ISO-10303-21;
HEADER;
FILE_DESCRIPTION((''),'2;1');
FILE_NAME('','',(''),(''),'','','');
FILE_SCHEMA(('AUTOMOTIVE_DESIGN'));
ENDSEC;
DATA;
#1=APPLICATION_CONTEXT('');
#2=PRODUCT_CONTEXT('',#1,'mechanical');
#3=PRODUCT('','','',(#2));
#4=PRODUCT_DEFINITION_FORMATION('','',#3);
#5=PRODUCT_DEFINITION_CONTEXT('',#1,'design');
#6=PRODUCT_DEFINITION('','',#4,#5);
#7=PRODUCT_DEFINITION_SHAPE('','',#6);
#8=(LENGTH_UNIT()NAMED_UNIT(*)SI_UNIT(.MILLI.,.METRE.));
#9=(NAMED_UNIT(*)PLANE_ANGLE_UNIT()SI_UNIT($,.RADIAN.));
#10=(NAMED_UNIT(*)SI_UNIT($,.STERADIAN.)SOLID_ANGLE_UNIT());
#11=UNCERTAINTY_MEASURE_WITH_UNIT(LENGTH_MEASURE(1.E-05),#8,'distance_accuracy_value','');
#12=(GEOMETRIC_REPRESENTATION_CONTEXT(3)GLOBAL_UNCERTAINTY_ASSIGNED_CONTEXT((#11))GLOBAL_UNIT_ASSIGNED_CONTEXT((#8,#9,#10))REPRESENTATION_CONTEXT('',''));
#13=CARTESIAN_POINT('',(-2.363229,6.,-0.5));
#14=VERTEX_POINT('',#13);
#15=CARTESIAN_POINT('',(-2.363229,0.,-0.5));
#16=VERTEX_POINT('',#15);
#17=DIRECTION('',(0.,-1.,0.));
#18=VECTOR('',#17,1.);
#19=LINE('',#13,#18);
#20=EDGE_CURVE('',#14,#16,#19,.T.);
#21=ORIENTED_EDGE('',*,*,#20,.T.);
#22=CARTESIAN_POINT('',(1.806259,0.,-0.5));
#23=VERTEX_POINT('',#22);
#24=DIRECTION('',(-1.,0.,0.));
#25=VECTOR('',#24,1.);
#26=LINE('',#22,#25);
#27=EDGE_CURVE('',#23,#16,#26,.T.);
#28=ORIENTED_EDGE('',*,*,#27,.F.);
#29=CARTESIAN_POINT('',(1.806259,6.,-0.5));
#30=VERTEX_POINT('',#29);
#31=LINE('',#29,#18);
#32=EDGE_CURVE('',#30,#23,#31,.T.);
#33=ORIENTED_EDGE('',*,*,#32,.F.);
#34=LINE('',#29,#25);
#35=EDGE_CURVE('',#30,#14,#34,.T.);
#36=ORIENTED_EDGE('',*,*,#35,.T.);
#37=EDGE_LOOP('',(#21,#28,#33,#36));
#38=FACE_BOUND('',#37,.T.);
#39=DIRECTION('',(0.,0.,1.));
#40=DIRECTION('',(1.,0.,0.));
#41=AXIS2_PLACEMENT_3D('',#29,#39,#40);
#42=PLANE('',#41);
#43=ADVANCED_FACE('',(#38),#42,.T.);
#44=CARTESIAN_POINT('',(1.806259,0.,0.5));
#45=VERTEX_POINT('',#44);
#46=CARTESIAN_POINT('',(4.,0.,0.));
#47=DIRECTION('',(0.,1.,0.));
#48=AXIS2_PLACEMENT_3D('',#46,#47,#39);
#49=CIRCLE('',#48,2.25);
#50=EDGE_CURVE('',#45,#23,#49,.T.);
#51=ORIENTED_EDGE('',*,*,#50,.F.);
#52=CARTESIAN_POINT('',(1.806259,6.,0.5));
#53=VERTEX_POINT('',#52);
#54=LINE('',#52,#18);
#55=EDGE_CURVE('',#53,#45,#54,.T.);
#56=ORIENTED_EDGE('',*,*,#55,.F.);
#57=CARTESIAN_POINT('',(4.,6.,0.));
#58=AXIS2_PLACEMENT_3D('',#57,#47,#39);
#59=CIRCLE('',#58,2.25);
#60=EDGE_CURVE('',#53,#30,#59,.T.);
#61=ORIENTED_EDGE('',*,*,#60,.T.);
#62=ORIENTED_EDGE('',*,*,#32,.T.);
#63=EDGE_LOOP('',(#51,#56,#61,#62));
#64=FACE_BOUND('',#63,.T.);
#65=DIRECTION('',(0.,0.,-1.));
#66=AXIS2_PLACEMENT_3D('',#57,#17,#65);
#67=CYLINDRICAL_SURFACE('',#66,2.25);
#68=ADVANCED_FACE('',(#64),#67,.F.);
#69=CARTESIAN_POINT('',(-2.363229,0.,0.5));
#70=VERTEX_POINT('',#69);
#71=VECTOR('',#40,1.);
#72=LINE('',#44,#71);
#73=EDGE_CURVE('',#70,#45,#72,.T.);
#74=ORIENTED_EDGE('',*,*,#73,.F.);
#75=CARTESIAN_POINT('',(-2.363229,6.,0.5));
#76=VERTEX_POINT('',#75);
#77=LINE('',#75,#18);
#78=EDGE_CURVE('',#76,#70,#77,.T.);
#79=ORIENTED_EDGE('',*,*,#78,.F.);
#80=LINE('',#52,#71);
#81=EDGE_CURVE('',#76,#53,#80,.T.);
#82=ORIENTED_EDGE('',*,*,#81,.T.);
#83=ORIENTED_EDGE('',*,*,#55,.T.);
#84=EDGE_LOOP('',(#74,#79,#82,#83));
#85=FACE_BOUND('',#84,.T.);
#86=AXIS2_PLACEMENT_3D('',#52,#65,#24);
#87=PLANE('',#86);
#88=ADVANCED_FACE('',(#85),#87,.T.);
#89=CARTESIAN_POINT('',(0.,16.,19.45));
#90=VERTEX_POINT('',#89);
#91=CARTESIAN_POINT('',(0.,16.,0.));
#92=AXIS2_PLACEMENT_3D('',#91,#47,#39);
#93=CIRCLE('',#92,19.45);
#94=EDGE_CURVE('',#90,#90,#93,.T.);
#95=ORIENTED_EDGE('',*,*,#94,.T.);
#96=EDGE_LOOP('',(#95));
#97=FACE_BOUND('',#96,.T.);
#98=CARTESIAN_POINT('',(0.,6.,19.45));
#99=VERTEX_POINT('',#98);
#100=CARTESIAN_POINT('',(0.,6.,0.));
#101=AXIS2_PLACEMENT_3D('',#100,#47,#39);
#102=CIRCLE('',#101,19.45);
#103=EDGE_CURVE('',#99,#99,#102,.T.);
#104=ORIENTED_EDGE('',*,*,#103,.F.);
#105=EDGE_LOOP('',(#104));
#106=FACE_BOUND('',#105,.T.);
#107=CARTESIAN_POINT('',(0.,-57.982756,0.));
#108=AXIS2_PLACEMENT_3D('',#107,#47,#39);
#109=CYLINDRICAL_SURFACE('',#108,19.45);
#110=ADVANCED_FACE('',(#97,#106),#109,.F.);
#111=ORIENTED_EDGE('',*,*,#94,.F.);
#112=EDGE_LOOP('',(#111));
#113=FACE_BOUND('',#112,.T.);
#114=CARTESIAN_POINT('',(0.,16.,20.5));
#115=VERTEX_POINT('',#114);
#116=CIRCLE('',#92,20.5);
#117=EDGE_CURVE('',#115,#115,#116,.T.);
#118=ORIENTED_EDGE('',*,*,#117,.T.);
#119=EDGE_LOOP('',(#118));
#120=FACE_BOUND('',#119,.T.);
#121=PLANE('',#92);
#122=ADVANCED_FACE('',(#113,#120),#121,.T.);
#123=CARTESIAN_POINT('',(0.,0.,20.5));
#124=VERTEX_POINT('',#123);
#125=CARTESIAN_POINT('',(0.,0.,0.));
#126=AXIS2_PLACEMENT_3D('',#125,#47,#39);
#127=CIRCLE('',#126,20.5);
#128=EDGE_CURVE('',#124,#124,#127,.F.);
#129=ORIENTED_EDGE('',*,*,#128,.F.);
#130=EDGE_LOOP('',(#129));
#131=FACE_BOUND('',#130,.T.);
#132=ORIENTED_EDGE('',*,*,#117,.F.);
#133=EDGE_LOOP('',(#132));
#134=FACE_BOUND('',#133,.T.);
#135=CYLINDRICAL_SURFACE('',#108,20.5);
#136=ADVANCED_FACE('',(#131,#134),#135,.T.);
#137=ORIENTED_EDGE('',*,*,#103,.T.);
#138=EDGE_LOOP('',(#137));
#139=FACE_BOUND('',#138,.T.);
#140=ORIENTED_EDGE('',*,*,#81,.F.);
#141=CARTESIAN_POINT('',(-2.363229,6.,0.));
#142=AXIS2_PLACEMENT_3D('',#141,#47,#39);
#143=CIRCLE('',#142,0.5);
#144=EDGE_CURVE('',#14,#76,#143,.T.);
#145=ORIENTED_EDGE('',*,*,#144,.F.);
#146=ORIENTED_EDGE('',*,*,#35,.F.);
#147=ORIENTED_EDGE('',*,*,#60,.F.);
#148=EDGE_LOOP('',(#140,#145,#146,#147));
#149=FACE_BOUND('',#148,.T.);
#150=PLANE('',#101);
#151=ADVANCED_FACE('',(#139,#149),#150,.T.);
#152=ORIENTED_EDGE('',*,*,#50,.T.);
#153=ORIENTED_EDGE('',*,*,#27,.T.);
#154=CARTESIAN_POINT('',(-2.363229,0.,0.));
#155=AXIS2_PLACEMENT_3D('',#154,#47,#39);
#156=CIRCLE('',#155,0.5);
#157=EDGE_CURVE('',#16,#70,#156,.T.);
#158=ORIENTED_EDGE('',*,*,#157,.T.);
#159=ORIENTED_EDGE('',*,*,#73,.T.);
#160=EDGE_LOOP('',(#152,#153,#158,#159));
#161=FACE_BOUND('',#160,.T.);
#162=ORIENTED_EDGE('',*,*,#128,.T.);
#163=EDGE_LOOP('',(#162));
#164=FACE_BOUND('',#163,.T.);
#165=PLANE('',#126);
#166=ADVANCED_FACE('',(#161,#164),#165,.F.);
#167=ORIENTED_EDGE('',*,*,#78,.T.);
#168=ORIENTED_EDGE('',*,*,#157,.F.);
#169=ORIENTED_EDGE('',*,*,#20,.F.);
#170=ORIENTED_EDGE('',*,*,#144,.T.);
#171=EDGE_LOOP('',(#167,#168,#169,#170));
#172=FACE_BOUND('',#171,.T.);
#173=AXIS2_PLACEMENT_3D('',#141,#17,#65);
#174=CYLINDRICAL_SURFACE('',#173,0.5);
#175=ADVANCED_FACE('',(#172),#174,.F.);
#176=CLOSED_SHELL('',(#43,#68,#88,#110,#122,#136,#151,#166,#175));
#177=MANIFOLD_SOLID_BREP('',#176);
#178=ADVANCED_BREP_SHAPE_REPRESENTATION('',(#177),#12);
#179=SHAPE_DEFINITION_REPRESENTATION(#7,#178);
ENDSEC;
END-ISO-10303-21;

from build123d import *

# Parameters (mm, degrees)
SKETCH1_R                = 19.45
BOSS_EXTRUDE1_DEPTH      = 6
BOSS_EXTRUDE2_DEPTH      = 10
BOSS_EXTRUDE2_DEPTH_BACK = 6
SKETCH2_R                = 20.5
SKETCH2_R_2              = 19.45


with BuildPart() as part:
    # Sketch1 → Boss-Extrude1 (new body)
    with BuildSketch(Plane(origin=(0, 0, 0), x_dir=(1, 0, 0), z_dir=(0, 1, 0))):
        with Locations(Location((0, 0, 0), (0, 0, 270))):
            Circle(SKETCH1_R)
        with BuildLine():
            Line((1.806258903, -0.5), (-2.363228991, -0.5))
            ThreePointArc((-2.363228991, -0.5), (-2.863228991, 0), (-2.363228991, 0.5))
            Line((-2.363228991, 0.5), (1.806258903, 0.5))
            ThreePointArc((1.806258903, 0.5), (6.25, 0), (1.806258903, -0.5))
        make_face(mode=Mode.SUBTRACT)
    extrude(amount=BOSS_EXTRUDE1_DEPTH)

    # Sketch2 → Boss-Extrude2 (add, two sides: drawn at the far end of the back side and taken through both)
    with BuildSketch(Plane(origin=(0, 6, 0), x_dir=(1, 0, 0), z_dir=(0, 1, 0)).offset(-BOSS_EXTRUDE2_DEPTH_BACK)):
        with Locations(Location((0, 0, 0), (0, 0, 270))):
            Circle(SKETCH2_R)
        with Locations(Location((0, 0, 0), (0, 0, 270))):
            Circle(SKETCH2_R_2, mode=Mode.SUBTRACT)
    extrude(amount=BOSS_EXTRUDE2_DEPTH + BOSS_EXTRUDE2_DEPTH_BACK)


solid = part.part
